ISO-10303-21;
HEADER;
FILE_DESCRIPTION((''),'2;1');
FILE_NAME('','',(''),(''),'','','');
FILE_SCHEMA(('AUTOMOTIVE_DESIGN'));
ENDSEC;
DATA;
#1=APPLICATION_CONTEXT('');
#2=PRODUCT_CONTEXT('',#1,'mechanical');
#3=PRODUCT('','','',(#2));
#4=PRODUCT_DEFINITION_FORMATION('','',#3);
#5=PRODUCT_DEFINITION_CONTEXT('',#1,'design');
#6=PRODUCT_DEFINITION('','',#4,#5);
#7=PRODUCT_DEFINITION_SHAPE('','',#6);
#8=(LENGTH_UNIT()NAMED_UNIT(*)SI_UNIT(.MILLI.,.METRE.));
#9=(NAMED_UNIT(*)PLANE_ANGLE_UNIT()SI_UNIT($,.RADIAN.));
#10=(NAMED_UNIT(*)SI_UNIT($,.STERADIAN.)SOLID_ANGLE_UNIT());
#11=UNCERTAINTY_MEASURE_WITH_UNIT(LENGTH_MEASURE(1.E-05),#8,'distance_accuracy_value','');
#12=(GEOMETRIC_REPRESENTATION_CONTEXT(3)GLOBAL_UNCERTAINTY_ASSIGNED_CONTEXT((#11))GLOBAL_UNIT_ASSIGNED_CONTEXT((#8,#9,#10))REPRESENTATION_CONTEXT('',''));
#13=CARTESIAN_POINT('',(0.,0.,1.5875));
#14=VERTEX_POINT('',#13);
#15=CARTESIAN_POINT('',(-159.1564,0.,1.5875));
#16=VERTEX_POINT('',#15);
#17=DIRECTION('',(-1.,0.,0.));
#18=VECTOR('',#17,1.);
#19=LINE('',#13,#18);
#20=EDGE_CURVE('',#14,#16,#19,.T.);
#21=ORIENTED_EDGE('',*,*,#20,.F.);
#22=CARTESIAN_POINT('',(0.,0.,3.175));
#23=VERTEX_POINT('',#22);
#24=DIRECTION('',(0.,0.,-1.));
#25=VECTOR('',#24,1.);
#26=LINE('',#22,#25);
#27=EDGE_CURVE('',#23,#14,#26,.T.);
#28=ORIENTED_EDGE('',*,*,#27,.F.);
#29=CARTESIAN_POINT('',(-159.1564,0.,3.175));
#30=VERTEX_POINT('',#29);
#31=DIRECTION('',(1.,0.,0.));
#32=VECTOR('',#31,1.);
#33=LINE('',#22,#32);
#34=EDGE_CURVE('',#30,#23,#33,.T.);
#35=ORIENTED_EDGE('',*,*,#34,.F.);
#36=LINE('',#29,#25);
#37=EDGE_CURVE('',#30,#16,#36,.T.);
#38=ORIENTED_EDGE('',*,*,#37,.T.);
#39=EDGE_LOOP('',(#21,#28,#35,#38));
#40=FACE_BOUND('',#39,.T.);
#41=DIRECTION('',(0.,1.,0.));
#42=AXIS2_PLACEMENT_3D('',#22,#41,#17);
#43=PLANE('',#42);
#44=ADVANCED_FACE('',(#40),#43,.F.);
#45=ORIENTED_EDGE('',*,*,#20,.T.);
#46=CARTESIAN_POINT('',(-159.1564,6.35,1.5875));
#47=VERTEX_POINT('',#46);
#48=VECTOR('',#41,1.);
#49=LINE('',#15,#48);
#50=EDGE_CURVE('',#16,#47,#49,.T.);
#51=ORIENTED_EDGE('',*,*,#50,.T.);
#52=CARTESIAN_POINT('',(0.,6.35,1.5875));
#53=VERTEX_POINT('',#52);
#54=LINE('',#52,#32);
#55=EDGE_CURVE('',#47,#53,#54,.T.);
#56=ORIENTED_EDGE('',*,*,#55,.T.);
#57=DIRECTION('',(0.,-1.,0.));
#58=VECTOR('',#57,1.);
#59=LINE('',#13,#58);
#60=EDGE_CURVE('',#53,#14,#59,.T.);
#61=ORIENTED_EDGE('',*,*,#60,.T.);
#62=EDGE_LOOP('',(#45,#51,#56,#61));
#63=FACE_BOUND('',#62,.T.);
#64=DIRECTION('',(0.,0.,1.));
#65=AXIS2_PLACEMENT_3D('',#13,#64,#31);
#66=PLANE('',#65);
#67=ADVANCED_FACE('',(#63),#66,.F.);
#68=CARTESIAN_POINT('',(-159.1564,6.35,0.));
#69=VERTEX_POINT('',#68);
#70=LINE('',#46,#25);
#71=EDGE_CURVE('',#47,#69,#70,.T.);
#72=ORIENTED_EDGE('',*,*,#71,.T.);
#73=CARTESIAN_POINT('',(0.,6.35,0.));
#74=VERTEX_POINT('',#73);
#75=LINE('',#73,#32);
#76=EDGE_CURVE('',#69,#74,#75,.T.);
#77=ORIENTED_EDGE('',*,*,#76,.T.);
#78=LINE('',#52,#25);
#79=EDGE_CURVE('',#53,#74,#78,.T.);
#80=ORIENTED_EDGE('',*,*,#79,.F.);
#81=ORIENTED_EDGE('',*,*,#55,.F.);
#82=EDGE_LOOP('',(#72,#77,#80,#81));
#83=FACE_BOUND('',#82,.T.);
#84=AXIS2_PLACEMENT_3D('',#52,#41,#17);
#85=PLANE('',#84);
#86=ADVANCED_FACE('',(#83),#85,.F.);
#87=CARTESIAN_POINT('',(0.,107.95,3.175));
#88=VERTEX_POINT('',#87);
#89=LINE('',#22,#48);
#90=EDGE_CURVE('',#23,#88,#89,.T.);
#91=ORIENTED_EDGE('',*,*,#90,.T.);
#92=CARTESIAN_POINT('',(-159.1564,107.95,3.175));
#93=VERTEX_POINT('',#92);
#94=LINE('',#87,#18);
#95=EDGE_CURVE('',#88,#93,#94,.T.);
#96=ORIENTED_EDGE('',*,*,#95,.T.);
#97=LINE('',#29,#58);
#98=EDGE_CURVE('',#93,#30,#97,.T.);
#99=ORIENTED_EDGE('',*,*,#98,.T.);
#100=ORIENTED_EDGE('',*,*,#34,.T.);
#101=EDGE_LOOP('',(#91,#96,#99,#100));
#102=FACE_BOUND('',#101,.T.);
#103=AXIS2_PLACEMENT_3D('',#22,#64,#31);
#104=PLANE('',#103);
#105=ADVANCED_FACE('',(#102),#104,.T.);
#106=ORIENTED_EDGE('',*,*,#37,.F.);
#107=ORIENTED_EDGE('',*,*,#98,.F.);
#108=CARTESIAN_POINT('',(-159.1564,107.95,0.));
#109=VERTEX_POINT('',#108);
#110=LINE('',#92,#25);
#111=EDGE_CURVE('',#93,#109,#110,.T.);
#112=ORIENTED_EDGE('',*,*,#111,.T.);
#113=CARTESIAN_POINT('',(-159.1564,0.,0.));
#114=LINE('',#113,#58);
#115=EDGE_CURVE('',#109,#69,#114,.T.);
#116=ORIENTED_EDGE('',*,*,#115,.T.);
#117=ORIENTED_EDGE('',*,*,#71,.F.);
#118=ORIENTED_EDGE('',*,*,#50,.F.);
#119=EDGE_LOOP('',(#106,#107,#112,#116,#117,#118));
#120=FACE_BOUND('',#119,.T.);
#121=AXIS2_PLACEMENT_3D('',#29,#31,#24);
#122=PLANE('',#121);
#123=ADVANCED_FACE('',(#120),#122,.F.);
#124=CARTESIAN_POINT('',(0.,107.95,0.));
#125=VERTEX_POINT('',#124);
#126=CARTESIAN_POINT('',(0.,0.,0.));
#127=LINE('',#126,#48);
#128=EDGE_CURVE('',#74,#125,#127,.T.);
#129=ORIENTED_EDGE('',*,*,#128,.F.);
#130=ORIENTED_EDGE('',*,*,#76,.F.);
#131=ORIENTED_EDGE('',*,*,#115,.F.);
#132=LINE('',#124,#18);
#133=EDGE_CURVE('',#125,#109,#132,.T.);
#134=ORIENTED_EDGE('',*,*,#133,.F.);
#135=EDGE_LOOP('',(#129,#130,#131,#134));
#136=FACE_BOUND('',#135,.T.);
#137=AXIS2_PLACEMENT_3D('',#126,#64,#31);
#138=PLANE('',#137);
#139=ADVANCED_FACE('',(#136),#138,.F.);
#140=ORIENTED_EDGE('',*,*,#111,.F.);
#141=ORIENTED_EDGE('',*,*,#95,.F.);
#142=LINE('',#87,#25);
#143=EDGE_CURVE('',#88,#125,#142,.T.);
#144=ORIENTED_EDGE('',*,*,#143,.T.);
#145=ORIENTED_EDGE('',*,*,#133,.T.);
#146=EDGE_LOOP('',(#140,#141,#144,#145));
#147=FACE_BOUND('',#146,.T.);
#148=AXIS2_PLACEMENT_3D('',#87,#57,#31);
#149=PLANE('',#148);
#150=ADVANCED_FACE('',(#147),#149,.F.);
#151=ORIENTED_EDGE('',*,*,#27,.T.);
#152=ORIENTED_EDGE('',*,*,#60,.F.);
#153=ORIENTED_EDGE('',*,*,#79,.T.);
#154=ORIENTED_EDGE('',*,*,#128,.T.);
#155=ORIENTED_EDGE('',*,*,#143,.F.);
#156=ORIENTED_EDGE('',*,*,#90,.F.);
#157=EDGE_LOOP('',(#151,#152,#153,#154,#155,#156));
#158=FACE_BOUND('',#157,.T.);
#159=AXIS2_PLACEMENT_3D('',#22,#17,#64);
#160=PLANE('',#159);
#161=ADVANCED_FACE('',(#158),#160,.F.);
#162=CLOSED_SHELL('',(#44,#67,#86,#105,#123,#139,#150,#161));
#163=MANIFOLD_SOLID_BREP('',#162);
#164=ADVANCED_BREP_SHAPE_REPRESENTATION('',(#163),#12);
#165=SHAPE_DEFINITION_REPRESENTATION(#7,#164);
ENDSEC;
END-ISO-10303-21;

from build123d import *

# Parameters (mm, degrees)
SKETCH1_W           = 159.1564
SKETCH1_H           = 107.95
BOSS_EXTRUDE1_DEPTH = 3.175
SKETCH2_W           = 159.1564
SKETCH2_H           = 6.35
CUT_EXTRUDE1_DEPTH  = 1.5875


with BuildPart() as part:
    # Sketch1 → Boss-Extrude1 (new body)
    with BuildSketch(Plane.XY):
        with Locations((-79.5782, 53.975)):
            Rectangle(SKETCH1_W, SKETCH1_H)
    extrude(amount=BOSS_EXTRUDE1_DEPTH)

    # Sketch2 → Cut-Extrude1 (cut)
    with BuildSketch(Plane(origin=(0, 0, 0), x_dir=(-1, 0, 0), z_dir=(0, 0, -1))):
        with Locations((79.5782, 3.175)):
            Rectangle(SKETCH2_W, SKETCH2_H)
    extrude(amount=-CUT_EXTRUDE1_DEPTH, mode=Mode.SUBTRACT)


solid = part.part
